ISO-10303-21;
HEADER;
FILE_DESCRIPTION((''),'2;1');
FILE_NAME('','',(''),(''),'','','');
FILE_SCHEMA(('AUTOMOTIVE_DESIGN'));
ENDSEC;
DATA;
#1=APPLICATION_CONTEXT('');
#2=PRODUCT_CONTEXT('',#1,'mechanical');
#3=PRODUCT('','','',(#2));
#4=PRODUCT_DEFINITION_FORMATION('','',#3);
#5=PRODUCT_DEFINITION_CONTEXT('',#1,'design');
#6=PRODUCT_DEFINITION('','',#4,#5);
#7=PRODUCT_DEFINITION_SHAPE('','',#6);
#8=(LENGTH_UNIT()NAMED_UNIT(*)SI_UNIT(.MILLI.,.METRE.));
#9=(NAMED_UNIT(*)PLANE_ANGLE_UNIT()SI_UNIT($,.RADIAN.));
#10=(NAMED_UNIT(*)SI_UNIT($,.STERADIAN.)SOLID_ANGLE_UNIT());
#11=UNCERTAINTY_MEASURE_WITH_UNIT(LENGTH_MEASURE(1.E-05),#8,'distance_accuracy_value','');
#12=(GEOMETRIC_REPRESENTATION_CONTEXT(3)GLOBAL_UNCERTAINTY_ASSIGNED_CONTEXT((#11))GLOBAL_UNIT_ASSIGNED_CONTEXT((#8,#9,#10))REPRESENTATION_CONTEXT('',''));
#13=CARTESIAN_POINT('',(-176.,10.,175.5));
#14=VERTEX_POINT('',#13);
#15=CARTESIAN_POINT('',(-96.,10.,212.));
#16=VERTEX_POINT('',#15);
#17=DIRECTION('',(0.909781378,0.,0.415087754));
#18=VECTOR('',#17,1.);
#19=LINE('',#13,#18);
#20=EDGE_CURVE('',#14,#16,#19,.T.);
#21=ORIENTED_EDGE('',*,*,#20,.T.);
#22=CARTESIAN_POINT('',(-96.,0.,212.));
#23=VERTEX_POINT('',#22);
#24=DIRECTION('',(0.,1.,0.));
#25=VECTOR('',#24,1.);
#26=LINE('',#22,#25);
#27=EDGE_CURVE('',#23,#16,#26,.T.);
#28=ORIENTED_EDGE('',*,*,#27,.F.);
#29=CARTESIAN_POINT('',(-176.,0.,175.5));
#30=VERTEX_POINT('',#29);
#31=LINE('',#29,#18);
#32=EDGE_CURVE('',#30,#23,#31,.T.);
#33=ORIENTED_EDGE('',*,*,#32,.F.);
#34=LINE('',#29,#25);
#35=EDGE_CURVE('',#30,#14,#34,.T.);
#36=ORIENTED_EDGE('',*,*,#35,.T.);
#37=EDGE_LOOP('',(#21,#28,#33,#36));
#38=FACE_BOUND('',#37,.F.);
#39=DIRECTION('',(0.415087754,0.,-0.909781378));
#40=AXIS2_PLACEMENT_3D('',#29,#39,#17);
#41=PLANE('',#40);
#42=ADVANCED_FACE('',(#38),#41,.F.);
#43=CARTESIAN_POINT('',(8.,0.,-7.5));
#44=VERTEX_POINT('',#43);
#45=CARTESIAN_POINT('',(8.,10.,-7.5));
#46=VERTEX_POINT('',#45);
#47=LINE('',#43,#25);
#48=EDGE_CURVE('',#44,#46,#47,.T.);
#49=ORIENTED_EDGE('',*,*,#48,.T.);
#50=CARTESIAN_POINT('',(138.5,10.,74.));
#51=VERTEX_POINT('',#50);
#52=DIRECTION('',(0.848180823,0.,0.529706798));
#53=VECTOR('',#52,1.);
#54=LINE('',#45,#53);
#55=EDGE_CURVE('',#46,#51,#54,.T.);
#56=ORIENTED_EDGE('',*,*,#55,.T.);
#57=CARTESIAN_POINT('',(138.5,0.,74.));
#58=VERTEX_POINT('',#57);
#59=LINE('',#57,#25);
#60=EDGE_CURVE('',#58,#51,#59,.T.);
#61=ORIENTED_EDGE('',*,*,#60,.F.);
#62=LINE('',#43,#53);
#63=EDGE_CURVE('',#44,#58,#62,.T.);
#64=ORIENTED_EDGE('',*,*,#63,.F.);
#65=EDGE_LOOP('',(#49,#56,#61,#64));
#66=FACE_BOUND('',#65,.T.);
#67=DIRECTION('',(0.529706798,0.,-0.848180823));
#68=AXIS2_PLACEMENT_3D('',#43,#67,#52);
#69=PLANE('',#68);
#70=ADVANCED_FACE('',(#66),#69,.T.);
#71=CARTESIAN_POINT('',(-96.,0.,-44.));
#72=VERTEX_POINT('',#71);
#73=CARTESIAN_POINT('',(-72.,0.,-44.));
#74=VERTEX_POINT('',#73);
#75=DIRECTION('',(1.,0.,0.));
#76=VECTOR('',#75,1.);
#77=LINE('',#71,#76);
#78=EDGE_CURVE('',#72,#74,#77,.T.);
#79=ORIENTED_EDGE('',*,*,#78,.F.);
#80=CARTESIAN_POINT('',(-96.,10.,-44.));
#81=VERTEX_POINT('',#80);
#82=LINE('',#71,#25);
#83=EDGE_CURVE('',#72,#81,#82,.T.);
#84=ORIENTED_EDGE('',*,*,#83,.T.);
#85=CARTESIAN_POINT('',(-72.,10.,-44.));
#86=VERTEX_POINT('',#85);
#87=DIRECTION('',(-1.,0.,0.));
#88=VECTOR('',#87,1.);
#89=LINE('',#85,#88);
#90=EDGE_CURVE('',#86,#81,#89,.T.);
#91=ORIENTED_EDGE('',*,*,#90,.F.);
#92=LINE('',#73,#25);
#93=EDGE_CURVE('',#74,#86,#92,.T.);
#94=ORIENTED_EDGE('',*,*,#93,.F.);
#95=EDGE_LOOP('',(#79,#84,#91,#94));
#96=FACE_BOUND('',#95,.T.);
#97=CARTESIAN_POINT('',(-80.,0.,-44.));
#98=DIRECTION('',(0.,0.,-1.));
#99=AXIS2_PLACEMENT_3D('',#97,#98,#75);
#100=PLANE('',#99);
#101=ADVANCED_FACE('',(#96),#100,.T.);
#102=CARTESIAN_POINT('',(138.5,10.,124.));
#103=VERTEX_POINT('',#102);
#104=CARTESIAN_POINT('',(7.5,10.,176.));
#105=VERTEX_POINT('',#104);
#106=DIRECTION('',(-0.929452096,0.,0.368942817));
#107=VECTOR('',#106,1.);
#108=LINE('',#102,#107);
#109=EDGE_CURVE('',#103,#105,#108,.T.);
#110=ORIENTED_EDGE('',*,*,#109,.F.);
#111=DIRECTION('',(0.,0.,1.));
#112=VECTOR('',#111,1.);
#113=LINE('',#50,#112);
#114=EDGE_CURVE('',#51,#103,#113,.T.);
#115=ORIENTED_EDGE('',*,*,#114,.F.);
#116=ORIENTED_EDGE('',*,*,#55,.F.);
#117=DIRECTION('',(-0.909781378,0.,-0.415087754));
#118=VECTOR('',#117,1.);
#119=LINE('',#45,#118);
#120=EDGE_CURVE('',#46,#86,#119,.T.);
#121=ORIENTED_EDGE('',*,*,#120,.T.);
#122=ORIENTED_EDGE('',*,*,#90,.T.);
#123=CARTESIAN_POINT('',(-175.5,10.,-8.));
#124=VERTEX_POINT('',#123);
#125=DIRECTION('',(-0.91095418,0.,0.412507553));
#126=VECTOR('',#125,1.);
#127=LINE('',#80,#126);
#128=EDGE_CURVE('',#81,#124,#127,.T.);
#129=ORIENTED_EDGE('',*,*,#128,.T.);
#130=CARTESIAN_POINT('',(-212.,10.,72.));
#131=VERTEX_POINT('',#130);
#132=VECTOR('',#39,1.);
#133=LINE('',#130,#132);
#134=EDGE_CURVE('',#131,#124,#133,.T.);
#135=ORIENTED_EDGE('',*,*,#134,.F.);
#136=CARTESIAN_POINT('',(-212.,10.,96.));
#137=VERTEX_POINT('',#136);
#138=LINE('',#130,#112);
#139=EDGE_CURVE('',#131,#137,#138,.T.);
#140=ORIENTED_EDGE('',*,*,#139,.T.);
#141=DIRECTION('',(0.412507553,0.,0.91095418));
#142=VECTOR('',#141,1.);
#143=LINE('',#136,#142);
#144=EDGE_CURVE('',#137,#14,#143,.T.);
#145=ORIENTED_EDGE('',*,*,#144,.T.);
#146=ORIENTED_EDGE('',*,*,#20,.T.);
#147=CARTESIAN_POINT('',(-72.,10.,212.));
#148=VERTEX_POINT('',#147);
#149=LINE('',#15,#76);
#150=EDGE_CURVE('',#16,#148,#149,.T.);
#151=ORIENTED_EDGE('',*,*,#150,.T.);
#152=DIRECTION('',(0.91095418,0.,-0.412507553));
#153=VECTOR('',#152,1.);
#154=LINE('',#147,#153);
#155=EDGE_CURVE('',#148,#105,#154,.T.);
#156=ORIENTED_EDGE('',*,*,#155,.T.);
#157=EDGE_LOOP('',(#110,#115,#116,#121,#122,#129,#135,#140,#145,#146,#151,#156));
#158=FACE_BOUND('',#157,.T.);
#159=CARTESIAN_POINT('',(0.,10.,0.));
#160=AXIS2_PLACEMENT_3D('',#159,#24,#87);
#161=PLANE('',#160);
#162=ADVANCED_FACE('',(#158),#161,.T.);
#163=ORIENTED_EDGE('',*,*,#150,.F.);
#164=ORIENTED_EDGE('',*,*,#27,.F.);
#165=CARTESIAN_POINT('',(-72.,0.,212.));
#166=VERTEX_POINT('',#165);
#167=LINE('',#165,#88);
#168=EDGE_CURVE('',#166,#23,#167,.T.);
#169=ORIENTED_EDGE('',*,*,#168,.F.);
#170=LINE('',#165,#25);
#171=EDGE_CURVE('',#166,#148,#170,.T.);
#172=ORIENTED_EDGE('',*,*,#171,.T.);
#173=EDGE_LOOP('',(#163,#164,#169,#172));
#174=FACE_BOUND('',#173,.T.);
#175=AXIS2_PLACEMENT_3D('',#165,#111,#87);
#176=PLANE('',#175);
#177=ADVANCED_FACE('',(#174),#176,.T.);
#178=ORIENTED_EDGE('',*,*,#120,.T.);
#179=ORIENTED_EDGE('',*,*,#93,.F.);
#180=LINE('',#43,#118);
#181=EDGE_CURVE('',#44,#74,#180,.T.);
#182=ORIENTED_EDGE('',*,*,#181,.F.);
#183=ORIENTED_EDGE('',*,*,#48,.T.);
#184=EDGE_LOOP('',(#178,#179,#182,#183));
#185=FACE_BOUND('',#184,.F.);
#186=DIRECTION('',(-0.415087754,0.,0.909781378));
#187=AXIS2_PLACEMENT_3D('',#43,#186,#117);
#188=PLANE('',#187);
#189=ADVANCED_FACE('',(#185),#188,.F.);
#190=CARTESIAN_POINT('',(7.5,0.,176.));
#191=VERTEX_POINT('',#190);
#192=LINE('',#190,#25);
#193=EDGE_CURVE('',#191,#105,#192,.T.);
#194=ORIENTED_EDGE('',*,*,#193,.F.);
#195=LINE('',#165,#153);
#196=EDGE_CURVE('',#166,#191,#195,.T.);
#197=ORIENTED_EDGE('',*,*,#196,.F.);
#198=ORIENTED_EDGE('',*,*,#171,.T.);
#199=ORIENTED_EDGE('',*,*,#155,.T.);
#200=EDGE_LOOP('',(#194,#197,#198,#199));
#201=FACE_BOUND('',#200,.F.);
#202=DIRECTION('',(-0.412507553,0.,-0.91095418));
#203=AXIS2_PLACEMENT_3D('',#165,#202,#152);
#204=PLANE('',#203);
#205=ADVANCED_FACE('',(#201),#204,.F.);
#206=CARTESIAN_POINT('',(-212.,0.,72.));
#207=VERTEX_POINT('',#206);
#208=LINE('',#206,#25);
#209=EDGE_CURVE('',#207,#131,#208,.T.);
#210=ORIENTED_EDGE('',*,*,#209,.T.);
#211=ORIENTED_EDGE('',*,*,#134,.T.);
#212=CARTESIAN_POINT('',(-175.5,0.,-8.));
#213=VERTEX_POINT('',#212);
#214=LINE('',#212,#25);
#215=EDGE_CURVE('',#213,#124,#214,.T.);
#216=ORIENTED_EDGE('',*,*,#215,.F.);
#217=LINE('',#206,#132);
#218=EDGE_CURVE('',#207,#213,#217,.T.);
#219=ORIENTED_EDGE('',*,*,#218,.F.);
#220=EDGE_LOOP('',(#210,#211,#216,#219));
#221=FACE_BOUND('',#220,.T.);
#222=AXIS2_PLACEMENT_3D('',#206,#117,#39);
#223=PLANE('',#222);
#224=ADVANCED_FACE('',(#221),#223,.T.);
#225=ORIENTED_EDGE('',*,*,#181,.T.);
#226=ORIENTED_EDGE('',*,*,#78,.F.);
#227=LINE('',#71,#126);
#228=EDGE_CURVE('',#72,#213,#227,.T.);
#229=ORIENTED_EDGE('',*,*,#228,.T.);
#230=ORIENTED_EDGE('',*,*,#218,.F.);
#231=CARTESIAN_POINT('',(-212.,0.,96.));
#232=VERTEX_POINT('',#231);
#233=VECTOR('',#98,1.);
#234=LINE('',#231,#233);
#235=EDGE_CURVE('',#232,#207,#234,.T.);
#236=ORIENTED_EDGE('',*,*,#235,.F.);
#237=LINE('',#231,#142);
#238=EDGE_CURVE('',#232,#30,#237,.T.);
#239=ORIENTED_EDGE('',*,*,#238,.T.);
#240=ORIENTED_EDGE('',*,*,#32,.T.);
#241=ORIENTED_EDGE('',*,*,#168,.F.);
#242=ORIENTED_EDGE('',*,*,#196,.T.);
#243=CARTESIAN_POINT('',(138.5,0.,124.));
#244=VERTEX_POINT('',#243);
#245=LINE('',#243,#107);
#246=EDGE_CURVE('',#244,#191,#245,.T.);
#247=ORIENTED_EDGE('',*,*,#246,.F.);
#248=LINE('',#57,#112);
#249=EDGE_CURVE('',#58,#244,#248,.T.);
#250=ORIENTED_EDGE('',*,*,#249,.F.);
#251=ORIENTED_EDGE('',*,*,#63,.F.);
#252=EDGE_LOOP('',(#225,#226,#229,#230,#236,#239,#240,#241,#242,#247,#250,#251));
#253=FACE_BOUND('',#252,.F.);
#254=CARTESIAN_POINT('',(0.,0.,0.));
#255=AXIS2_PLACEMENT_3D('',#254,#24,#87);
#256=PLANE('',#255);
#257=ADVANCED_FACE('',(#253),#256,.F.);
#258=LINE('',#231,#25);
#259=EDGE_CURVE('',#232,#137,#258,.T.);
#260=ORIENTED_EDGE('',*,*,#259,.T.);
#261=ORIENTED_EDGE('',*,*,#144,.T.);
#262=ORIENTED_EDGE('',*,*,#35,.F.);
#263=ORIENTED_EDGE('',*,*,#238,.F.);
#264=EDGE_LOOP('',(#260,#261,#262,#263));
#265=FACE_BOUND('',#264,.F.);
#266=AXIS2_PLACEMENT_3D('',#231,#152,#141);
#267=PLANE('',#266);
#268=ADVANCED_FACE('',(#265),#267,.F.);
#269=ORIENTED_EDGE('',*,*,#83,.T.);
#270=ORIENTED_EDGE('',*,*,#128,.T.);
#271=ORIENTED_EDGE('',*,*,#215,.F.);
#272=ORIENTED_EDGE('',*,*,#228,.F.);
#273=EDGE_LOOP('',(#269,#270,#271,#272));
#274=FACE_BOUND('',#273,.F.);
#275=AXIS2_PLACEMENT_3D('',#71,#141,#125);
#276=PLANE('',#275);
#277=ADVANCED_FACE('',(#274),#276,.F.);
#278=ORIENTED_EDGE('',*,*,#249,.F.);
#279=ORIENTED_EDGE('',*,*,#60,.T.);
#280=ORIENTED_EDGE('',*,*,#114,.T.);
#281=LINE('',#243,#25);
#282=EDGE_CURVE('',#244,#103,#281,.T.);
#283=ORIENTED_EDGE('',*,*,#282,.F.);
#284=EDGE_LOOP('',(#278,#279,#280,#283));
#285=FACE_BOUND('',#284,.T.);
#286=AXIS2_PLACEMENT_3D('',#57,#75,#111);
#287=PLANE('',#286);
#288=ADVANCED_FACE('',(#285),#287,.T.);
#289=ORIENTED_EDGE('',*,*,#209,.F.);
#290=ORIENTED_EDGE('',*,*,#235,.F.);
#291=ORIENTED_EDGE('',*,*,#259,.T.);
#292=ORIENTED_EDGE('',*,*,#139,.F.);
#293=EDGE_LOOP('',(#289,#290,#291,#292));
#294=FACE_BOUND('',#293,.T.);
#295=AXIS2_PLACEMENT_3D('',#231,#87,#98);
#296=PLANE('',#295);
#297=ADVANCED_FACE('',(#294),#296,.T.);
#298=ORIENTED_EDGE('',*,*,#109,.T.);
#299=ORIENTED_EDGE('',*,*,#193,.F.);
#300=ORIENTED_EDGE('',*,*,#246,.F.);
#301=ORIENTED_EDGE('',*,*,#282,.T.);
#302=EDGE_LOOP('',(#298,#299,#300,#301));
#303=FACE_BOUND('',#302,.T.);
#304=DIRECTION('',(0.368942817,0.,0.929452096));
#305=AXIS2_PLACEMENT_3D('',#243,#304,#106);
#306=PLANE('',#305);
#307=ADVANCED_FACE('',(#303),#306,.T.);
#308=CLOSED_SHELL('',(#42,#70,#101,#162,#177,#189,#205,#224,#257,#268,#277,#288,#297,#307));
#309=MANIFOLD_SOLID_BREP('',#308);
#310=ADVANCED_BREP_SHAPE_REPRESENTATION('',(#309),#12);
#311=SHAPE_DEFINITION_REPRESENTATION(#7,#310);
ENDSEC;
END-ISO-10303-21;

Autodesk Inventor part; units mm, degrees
ref_plane "YZ Plane" through (0, 0, 0) normal (1, 0, 0) x (0, 1, 0)
ref_plane "XZ Plane" through (0, 0, 0) normal (0, 1, 0) x (-1, 0, 0)
ref_plane "XY Plane" through (0, 0, 0) normal (0, 0, 1) x (1, 0, 0)
sketch "Эскиз1" plane through (0, 0, 0) normal (0, 1, 0) x (-1, 0, 0)
  line L0 (-44, 88) -> (-44, 96)
  line L1 (-36, 96) -> (-44, 96)
  line L2 (-44, 72) -> (-44, 80)
  line L3 (-44, 72) -> (-36, 72)
  line L4 (-7.5, 172) -> (-7.5, 176)
  line L5 (0, 176) -> (-7.5, 176)
  line L6 (72, 212) -> (72, 204)
  line L7 (72, 212) -> (80, 212)
  line L8 (88, 212) -> (96, 212)
  line L9 (96, 204) -> (96, 212)
  line L10 (172, 175.5) -> (176, 175.5)
  line L11 (176, 168) -> (176, 175.5)
  line L12 (212, 96) -> (204, 96)
  line L13 (212, 96) -> (212, 88)
  line L14 (212, 80) -> (212, 72)
  line L15 (204, 72) -> (212, 72)
  line L16 (175.5, -4) -> (175.5, -8)
  line L17 (168, -8) -> (175.5, -8)
  line L18 (96, -44) -> (88, -44)
  line L19 (96, -44) -> (96, -36)
  line L20 (80, -44) -> (72, -44)
  line L21 (72, -36) -> (72, -44)
  line L22 (-4, -7.5) -> (-8, -7.5)
  line L23 (-8, 0) -> (-8, -7.5)
  line L24 (-44, 72) -> (-8, -7.5)
  line L25 (-8, -7.5) -> (72, -44)
  line L26 (96, -44) -> (175.5, -8)
  line L27 (212, 72) -> (175.5, -8)
  line L28 (212, 96) -> (176, 175.5)
  line L29 (176, 175.5) -> (96, 212)
  line L30 (72, 212) -> (-7.5, 176)
  line L31 (-7.5, 176) -> (-44, 96)
  line L32 (72, 212) -> (96, 212)
  line L33 (212, 96) -> (212, 72)
  line L34 (96, -44) -> (72, -44)
  line L35 (-44, 72) -> (-44, 96)
  line L36 (-133.5, 90) -> (-133.5, 78)
  line L37 (-8, -7.5) -> (-138.5, 74)
  line L38 (-138.5, 74) -> (-138.5, 124)
  line L39 (-138.5, 124) -> (-7.5, 176)
  point P0 (0, 0)
extrude "Выдавливание1" add sketch "Эскиз1" along normal blind 10
